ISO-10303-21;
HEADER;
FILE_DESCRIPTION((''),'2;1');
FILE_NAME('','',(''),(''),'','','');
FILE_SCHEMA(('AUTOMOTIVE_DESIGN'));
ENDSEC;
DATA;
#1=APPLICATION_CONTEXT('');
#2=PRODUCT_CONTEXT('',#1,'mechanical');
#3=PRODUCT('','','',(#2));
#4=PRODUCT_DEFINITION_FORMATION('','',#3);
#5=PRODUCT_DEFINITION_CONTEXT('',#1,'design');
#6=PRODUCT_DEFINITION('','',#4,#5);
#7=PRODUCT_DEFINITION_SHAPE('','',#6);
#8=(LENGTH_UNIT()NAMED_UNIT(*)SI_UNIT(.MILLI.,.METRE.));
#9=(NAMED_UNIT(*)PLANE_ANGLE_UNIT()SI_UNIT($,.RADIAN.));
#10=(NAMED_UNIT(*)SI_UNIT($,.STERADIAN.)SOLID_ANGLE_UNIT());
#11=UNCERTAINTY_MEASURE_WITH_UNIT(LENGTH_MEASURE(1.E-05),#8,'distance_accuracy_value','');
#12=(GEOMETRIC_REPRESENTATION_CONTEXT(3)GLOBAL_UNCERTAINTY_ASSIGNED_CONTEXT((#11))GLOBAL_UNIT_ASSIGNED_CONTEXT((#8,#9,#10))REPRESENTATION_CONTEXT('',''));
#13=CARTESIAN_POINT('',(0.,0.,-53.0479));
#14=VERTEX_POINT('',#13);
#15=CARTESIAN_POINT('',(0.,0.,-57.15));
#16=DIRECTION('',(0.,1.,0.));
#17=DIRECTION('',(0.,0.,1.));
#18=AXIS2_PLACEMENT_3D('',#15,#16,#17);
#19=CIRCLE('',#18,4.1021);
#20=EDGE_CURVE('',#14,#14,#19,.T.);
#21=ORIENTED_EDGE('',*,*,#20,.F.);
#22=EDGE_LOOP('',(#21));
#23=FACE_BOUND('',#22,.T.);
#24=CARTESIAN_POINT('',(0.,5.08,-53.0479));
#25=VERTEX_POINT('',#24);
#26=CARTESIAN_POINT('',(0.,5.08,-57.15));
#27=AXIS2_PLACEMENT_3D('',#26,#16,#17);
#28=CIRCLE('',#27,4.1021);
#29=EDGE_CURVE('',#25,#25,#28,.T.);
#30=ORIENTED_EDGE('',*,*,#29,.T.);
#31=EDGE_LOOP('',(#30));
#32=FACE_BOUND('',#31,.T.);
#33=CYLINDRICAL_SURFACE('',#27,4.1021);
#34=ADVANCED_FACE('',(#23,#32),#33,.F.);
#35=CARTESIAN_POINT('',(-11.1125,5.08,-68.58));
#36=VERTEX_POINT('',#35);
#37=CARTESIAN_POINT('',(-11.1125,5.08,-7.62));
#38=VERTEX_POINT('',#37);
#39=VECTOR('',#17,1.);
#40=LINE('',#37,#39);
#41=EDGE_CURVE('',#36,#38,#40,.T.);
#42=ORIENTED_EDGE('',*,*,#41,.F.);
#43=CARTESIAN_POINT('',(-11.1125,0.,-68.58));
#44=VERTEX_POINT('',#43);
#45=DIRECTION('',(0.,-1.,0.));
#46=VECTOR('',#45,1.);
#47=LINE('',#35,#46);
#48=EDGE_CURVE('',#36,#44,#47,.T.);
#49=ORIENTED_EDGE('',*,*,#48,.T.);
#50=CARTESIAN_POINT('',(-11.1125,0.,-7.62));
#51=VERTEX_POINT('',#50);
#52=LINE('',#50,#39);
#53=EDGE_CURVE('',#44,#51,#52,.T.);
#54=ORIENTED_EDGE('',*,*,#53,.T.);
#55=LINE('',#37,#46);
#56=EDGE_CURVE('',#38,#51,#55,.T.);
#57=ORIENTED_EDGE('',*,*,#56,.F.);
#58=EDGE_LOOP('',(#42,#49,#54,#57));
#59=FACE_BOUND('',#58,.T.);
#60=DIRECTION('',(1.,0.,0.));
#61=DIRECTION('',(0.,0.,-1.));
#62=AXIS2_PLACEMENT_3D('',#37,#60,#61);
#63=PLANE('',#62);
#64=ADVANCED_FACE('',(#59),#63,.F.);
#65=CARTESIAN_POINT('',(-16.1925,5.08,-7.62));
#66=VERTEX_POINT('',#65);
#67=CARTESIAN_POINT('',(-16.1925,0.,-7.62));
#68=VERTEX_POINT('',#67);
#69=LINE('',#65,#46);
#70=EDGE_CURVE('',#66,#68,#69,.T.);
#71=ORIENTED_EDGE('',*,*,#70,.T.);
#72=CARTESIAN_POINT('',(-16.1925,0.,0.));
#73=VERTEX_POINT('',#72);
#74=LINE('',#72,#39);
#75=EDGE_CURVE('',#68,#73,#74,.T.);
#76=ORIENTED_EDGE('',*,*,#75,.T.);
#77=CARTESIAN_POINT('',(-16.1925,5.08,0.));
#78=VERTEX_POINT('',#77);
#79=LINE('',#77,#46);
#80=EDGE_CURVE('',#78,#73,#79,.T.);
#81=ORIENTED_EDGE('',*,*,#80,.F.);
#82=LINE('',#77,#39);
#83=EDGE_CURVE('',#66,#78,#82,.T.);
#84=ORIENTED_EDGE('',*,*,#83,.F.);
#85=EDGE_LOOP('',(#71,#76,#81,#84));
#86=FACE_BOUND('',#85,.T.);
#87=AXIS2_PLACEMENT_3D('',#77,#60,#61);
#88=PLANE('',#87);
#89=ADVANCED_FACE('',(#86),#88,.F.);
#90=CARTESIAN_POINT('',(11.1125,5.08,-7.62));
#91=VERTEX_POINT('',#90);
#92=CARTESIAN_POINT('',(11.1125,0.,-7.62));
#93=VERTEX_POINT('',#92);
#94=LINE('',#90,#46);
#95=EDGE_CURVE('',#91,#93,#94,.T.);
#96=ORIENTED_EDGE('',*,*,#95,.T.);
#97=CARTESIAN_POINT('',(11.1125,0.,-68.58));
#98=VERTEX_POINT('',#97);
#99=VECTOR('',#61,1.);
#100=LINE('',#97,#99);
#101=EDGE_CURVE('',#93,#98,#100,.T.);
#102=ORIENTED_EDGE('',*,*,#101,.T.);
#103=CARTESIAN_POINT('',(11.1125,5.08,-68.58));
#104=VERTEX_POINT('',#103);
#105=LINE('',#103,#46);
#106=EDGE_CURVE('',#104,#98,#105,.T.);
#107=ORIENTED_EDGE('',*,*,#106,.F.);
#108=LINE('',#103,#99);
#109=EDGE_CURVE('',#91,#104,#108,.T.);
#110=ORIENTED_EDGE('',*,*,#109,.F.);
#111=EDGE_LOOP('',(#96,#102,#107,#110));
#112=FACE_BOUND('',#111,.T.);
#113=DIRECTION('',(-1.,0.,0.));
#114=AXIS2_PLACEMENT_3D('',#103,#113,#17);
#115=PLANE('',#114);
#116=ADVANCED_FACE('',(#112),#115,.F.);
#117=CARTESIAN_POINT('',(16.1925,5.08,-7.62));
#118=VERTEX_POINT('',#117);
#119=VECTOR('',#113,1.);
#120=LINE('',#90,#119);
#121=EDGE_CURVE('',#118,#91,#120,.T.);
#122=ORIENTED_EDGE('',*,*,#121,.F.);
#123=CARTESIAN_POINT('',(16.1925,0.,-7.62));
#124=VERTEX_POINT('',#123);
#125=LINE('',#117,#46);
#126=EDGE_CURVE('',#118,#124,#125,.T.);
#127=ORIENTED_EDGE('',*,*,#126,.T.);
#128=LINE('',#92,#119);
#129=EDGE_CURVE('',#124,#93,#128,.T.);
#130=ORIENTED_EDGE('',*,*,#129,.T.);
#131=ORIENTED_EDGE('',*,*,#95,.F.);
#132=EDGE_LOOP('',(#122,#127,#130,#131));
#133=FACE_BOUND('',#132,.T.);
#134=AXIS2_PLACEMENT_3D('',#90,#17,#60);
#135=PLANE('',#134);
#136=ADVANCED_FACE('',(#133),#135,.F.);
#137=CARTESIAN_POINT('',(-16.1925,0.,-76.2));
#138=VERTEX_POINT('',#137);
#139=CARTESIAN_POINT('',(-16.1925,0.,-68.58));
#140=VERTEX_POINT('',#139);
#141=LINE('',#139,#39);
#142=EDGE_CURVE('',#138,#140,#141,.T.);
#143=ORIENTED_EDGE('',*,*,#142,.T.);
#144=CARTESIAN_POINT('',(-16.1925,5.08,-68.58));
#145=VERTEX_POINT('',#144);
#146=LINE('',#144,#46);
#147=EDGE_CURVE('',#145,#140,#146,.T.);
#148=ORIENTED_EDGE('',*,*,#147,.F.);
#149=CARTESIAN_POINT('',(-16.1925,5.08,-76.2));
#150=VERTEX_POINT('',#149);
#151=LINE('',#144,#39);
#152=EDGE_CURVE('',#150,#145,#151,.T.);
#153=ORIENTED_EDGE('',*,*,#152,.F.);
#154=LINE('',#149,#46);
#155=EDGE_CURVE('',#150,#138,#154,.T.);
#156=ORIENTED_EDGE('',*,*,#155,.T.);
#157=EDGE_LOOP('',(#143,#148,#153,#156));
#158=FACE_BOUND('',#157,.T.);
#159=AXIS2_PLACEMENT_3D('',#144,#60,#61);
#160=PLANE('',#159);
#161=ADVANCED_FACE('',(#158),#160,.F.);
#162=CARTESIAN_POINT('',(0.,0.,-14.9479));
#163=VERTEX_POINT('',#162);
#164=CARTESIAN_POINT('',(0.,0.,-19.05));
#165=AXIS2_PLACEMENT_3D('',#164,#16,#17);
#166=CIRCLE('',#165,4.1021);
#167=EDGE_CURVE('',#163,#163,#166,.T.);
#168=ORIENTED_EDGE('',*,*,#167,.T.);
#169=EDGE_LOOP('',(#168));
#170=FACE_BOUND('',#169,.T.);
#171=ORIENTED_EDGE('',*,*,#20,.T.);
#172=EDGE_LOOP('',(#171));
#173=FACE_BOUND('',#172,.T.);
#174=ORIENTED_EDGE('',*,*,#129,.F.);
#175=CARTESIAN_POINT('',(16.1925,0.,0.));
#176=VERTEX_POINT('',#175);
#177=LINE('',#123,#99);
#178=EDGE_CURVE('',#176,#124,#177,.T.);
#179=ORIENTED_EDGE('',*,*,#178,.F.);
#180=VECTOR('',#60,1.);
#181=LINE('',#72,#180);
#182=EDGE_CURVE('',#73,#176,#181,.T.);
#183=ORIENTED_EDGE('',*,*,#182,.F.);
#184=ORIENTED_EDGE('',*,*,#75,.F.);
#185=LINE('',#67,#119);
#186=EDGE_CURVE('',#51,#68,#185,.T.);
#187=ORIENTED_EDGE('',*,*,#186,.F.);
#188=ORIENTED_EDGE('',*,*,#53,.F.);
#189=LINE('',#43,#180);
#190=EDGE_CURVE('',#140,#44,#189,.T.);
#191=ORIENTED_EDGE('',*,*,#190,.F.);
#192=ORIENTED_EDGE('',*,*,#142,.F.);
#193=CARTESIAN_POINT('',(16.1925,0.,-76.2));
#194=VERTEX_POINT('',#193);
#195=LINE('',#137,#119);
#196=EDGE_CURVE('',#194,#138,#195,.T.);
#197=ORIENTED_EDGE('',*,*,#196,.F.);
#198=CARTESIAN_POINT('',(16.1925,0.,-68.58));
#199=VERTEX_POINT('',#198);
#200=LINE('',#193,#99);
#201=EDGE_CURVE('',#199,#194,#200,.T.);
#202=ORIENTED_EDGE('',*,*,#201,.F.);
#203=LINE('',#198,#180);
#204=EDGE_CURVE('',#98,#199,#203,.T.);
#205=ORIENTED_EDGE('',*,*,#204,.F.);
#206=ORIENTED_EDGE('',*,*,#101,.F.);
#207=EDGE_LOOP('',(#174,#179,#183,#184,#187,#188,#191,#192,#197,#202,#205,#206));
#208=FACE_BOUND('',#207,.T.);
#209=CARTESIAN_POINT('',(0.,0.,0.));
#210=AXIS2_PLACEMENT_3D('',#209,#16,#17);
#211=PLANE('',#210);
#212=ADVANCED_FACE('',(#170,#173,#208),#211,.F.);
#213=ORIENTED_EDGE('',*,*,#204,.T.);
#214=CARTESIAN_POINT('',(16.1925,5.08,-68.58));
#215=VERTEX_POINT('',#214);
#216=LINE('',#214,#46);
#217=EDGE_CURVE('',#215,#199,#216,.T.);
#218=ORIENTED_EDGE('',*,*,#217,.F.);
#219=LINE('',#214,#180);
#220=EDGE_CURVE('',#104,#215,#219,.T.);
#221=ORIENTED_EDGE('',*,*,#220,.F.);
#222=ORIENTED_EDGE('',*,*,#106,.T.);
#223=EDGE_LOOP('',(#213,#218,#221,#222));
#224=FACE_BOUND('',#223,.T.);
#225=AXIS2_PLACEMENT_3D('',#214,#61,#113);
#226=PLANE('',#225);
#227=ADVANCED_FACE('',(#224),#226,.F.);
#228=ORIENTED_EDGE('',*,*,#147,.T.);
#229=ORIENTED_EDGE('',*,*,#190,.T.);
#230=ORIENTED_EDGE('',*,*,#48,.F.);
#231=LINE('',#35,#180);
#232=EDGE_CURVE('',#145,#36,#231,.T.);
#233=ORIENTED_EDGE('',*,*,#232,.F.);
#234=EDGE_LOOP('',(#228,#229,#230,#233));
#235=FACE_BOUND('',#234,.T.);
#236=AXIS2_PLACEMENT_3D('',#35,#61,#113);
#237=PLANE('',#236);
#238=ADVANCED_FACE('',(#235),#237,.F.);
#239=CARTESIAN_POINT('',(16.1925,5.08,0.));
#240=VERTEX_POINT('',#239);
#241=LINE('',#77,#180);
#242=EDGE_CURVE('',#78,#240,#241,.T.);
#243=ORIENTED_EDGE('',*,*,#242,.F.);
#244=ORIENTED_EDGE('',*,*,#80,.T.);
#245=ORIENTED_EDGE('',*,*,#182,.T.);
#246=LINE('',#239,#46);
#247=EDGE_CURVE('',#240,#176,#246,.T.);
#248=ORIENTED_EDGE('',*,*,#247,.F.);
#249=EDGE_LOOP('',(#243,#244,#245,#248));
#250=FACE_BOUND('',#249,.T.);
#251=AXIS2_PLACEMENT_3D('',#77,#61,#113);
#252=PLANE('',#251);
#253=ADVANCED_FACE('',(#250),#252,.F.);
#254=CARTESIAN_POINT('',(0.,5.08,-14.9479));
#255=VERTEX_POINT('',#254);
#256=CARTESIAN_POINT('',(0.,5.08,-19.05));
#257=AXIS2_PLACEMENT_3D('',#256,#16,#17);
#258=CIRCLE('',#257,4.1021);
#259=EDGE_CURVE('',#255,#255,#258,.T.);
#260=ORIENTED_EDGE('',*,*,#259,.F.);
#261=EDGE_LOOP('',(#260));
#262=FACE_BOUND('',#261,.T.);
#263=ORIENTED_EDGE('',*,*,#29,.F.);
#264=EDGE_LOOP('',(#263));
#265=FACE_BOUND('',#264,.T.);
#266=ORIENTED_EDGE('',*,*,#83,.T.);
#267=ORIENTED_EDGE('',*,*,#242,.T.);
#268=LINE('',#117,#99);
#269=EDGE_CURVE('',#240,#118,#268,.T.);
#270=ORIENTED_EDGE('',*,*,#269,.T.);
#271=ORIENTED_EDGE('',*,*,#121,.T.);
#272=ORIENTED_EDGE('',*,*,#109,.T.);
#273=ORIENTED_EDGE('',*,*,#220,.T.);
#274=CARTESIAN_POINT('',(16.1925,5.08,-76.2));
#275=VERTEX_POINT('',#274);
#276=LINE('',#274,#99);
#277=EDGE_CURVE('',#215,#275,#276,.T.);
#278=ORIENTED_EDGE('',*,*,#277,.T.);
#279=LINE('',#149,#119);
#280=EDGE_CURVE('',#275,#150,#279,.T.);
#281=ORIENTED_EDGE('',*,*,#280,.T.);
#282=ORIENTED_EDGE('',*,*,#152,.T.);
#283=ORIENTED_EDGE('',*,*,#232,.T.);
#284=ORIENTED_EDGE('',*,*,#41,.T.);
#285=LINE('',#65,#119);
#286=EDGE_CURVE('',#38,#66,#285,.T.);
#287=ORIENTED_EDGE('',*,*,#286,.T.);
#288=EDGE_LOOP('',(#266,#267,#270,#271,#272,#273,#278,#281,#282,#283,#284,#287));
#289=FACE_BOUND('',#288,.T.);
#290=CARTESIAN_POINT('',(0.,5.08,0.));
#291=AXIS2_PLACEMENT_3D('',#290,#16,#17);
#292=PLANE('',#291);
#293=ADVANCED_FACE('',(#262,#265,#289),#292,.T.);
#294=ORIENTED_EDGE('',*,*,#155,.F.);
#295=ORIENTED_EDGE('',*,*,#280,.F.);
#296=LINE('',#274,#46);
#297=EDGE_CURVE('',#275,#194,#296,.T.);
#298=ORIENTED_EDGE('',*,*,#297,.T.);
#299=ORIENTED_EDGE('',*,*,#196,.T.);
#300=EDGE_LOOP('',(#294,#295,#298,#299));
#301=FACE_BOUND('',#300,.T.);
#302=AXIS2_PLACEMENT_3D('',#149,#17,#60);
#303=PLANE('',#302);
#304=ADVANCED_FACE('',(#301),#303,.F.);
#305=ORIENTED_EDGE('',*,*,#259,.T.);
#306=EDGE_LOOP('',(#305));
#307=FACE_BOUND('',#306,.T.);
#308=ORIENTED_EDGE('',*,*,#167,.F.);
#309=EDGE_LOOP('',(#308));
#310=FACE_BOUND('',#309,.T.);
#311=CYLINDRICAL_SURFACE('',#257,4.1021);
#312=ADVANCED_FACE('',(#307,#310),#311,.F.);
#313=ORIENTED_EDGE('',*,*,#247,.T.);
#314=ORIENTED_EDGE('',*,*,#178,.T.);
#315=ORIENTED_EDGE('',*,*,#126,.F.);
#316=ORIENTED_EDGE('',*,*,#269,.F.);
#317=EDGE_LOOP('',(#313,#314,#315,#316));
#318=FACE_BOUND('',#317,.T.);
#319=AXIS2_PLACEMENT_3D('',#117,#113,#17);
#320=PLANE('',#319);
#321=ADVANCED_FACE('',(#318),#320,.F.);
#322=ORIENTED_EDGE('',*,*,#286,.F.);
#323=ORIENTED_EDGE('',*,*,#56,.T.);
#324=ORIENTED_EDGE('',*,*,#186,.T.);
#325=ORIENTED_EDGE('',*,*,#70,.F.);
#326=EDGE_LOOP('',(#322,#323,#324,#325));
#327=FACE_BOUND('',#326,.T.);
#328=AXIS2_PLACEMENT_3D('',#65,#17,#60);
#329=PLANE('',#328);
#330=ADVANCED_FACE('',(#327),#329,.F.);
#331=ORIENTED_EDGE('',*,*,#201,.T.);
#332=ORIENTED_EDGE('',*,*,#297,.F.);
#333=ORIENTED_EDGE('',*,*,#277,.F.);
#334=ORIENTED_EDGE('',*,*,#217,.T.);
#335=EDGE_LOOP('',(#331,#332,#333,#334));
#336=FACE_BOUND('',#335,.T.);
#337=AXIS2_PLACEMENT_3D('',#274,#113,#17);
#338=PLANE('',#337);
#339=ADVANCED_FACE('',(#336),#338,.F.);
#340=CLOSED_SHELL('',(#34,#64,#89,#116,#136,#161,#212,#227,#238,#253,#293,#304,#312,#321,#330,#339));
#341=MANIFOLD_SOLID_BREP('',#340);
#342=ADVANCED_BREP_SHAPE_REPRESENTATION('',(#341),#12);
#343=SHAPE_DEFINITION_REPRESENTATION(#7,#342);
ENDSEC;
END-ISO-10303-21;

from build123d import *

# Parameters (mm, degrees)
BOSS_EXTRUDE1_DEPTH          = 5.08
P_0_323_DIAMETER_HOLE1_D     = 8.2042
P_0_323_DIAMETER_HOLE1_DEPTH = 16.51
P_0_323_DIAMETER_HOLE1_TIP   = 2.464790345


with BuildPart() as part:
    # Sketch1 → Boss-Extrude1 (new body)
    with BuildSketch(Plane(origin=(0, 0, 0), x_dir=(1, 0, 0), z_dir=(0, 1, 0))):
        Polygon((-16.1925, 0), (16.1925, 0), (16.1925, 7.62), (11.1125, 7.62), (11.1125, 68.58), (16.1925, 68.58), (16.1925, 76.2), (-16.1925, 76.2), (-16.1925, 68.58), (-11.1125, 68.58), (-11.1125, 7.62), (-16.1925, 7.62), align=None)
    extrude(amount=BOSS_EXTRUDE1_DEPTH)

    # P (0.323) Diameter Hole1
    with Locations(Plane(origin=(0, 5.08, 0), x_dir=(1, 0, 0), z_dir=(0, 1, 0))):
        with Locations((0, 57.15), (0, 19.05)):
            Hole(P_0_323_DIAMETER_HOLE1_D / 2, depth=P_0_323_DIAMETER_HOLE1_DEPTH)
            with Locations((0, 0, -(P_0_323_DIAMETER_HOLE1_DEPTH + P_0_323_DIAMETER_HOLE1_TIP / 2))):  # 118° drill point
                Cone(0, P_0_323_DIAMETER_HOLE1_D / 2, P_0_323_DIAMETER_HOLE1_TIP, mode=Mode.SUBTRACT)


solid = part.part
